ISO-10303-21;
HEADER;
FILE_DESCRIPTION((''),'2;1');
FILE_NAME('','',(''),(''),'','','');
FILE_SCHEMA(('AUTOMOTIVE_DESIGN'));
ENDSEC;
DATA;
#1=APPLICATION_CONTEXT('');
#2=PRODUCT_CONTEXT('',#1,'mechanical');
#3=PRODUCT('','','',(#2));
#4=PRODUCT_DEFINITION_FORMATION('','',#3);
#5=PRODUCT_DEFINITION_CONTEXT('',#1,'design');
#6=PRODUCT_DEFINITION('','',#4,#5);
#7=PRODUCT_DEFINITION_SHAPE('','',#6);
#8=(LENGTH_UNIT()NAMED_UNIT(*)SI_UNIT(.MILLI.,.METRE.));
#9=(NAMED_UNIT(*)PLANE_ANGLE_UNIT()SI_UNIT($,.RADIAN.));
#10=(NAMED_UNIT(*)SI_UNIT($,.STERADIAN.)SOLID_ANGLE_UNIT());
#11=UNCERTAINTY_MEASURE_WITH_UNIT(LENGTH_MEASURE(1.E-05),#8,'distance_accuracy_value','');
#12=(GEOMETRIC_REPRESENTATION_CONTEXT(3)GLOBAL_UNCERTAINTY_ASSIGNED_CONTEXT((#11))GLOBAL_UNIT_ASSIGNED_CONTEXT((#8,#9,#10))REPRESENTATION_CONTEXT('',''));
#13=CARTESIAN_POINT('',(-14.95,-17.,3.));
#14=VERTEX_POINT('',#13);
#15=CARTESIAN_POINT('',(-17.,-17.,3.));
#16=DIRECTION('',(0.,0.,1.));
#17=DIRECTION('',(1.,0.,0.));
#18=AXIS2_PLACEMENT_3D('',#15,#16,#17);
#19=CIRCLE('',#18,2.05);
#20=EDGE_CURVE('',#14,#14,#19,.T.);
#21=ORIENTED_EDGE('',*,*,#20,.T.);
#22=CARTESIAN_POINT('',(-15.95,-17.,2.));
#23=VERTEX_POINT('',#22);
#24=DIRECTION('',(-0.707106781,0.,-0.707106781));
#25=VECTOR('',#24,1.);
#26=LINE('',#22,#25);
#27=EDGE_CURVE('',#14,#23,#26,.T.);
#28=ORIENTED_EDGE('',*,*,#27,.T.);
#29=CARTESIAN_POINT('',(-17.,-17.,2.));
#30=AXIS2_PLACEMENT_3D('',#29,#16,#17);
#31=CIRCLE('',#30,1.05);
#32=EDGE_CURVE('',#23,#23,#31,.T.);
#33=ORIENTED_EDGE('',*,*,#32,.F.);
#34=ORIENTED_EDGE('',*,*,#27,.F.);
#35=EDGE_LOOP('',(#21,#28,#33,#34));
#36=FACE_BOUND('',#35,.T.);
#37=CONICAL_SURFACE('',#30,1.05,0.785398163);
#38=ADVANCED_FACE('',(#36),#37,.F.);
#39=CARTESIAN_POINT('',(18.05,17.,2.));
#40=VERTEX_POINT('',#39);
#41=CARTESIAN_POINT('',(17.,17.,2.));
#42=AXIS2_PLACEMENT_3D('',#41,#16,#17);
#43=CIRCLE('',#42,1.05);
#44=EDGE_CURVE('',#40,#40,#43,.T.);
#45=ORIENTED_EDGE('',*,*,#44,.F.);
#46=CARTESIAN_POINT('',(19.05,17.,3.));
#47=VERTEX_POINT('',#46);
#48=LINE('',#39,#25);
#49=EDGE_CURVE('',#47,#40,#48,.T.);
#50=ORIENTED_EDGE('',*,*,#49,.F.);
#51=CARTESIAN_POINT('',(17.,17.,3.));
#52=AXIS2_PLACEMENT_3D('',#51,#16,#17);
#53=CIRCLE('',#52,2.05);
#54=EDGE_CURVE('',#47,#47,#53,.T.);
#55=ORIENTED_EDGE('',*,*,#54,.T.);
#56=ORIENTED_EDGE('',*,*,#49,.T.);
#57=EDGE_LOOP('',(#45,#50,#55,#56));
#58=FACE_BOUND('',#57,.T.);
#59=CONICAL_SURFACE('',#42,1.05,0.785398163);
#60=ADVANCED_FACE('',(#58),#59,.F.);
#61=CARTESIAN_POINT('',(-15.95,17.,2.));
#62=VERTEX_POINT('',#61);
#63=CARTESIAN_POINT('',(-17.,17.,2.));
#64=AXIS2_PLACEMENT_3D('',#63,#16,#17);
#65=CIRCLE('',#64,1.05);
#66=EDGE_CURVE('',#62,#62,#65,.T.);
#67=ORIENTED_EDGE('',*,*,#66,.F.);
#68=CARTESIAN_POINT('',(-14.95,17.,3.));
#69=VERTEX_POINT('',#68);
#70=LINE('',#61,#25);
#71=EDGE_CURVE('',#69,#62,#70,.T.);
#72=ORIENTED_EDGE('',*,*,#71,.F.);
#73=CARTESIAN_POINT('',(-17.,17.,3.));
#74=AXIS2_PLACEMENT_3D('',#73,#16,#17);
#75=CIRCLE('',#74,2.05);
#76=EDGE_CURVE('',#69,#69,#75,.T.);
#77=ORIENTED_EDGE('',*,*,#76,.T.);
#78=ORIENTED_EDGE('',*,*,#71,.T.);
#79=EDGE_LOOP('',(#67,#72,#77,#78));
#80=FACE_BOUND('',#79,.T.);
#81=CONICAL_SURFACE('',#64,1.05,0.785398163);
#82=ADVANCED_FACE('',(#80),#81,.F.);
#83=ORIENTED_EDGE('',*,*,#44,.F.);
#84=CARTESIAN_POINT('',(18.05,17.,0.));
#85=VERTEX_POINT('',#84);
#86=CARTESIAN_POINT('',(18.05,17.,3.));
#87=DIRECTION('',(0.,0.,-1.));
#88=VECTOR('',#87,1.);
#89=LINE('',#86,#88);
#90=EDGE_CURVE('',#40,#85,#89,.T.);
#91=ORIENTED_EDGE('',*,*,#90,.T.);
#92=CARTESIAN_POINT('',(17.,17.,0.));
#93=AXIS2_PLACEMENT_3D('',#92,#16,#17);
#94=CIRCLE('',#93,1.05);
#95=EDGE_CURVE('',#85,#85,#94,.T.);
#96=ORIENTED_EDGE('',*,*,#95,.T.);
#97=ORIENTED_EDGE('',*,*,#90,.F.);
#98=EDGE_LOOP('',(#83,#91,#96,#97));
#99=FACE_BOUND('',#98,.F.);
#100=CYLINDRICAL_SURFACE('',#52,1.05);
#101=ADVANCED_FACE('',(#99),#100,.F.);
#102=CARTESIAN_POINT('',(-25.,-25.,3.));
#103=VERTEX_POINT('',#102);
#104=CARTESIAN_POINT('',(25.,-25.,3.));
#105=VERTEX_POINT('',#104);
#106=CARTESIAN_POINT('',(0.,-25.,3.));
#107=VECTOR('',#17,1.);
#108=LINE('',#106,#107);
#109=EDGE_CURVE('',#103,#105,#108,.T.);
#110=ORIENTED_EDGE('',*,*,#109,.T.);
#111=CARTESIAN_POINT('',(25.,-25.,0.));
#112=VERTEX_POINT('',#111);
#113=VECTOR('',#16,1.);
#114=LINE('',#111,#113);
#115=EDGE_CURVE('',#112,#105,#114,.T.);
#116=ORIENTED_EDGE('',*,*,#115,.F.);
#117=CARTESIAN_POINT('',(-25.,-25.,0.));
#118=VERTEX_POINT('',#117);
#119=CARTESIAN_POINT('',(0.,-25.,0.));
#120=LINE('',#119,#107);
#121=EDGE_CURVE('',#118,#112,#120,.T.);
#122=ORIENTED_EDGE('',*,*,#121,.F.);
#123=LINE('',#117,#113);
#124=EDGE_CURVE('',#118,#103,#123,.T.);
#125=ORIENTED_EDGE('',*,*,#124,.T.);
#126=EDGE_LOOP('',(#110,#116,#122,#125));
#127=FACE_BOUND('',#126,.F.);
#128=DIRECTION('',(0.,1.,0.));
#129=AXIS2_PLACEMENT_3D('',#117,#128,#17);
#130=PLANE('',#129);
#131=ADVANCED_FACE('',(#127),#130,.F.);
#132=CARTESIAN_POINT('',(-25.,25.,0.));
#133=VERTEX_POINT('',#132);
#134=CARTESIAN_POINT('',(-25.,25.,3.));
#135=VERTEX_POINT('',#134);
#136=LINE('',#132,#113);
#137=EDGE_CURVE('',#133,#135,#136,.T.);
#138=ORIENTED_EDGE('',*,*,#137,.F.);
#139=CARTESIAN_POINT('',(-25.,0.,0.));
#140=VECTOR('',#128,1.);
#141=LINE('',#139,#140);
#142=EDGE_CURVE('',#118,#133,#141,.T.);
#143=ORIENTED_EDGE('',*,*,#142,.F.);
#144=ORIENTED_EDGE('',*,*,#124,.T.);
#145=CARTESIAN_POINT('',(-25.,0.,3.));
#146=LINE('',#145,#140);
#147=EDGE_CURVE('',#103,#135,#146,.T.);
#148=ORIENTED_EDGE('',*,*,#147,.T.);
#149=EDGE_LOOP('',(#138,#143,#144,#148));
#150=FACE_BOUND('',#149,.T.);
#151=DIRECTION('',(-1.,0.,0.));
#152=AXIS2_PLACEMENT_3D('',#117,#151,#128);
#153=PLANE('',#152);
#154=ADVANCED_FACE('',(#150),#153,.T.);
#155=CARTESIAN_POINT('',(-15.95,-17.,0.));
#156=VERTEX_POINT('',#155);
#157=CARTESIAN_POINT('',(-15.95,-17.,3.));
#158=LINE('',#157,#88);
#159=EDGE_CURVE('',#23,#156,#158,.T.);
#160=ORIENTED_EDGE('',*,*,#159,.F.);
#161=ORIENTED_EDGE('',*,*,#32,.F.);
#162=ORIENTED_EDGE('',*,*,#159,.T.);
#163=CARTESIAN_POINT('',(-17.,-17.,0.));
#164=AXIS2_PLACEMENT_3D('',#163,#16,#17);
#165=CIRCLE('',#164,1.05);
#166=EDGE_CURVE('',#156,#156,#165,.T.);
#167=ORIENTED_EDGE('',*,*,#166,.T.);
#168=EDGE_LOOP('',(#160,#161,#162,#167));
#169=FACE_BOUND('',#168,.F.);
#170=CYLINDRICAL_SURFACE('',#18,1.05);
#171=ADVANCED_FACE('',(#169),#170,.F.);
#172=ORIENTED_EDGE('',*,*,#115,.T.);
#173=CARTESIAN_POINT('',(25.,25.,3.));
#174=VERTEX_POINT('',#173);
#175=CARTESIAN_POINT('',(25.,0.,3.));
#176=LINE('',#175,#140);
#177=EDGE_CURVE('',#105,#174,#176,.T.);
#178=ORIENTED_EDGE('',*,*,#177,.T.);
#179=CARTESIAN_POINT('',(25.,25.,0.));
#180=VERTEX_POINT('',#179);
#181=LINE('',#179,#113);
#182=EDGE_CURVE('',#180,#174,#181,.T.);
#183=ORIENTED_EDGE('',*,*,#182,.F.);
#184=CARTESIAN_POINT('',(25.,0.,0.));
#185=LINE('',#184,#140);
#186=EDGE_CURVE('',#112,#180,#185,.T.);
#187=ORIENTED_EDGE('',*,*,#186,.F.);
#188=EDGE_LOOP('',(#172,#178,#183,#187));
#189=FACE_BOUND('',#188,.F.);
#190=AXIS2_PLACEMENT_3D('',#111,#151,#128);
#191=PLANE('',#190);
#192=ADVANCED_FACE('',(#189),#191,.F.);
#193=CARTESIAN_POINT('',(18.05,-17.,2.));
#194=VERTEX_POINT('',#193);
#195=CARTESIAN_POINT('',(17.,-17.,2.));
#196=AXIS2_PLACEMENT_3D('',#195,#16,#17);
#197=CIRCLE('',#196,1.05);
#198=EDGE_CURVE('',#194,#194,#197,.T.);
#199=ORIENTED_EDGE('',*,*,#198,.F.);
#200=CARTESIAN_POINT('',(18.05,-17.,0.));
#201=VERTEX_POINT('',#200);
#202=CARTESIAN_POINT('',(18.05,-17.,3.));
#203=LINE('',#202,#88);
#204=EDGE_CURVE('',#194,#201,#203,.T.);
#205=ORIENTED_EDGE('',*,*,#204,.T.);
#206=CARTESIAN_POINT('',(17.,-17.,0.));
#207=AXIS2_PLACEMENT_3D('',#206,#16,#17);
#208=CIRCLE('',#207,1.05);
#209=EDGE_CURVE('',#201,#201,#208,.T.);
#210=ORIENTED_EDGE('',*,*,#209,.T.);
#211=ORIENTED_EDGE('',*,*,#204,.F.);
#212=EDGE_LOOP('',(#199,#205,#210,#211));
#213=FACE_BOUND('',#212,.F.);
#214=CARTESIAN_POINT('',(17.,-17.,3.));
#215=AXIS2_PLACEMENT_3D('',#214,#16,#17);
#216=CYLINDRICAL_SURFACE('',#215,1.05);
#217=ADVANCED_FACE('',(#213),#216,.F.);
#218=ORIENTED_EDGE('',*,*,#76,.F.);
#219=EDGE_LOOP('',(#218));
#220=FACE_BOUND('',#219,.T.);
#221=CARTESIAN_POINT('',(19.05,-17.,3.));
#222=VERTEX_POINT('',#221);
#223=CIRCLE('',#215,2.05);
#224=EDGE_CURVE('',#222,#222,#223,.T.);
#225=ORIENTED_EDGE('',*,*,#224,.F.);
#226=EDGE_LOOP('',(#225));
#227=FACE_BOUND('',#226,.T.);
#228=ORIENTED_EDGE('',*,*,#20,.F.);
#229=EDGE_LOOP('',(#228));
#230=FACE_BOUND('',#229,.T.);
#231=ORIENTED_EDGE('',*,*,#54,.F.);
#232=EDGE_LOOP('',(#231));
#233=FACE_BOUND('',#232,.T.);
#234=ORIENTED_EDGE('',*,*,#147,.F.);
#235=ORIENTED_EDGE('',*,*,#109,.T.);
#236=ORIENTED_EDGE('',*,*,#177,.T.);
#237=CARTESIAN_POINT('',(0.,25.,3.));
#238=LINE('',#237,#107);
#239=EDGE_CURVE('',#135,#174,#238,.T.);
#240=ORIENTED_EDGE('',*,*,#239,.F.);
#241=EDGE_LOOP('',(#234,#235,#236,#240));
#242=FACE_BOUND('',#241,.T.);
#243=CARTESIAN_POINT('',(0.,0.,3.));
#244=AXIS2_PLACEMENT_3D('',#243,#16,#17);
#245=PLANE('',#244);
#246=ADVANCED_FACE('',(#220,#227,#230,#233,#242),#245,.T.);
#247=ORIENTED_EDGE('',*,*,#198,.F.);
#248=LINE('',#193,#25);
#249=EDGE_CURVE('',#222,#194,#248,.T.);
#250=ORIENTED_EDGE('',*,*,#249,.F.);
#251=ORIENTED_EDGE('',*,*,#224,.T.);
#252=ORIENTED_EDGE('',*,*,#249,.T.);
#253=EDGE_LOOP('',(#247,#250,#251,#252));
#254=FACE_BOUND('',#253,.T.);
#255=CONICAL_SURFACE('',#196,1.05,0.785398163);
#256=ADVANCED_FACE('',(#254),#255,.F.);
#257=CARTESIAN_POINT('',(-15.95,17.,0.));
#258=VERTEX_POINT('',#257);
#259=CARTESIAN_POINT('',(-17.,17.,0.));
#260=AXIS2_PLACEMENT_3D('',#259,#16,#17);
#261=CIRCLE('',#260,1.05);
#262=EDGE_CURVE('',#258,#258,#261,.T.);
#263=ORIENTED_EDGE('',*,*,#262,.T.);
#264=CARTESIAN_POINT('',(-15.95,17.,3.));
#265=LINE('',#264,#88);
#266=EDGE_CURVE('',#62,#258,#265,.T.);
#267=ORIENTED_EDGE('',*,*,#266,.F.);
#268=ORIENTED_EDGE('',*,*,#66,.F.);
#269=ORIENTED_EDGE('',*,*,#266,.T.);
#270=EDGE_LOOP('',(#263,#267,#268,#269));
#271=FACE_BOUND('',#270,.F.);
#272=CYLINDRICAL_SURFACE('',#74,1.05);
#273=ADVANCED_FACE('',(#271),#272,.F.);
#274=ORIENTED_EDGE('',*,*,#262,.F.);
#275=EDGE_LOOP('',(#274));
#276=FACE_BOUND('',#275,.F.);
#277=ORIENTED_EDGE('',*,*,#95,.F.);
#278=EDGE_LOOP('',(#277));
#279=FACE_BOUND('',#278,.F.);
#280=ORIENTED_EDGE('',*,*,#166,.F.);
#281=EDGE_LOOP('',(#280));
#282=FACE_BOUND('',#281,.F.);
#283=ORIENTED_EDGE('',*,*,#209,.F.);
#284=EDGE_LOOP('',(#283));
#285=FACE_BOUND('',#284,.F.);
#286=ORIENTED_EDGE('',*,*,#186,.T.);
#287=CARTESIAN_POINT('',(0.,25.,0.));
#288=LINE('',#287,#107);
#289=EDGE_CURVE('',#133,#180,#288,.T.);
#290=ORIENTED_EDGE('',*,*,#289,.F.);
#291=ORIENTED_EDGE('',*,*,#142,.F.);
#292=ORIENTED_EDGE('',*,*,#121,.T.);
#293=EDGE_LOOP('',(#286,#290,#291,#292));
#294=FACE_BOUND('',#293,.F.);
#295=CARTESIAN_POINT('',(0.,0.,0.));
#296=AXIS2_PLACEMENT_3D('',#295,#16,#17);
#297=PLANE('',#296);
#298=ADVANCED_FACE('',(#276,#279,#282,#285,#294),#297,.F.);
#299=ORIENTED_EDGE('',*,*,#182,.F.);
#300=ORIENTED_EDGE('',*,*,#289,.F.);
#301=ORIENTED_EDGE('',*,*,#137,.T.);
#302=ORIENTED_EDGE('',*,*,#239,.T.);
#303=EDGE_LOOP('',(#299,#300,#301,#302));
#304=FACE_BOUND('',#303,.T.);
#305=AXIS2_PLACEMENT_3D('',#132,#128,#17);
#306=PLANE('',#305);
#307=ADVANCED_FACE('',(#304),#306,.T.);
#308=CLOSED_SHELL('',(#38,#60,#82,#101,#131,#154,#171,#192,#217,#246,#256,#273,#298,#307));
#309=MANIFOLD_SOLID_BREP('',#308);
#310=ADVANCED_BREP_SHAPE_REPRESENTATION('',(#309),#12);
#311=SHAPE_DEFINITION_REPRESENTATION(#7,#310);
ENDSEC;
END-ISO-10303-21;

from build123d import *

# Parameters (mm, degrees)
SKETCH_W     = 50
SKETCH_H     = 50
PAD_DEPTH    = 3
SKETCH001_R  = 1.05
POCKET_DEPTH = 3.001
CHAMFER_SIZE = 1


with BuildPart() as part:
    # Sketch → Pad (new body)
    with BuildSketch(Plane.XY):
        Rectangle(SKETCH_W, SKETCH_H)
    extrude(amount=PAD_DEPTH)

    # Sketch001 (on Face6 of Pad) → Pocket (cut, through all)
    with BuildSketch(Plane.XY.offset(3)):
        with Locations((-17, 17)):
            Circle(SKETCH001_R)
        with Locations((17, 17)):
            Circle(SKETCH001_R)
        with Locations((17, -17)):
            Circle(SKETCH001_R)
        with Locations((-17, -17)):
            Circle(SKETCH001_R)
    extrude(amount=-POCKET_DEPTH, mode=Mode.SUBTRACT)

    # Chamfer
    chamfer_edges = [part.edges().sort_by_distance(p)[0] for p in [
        (-18.05, 17, 3),
        (15.95, 17, 3),
        (15.95, -17, 3),
        (-18.05, -17, 3),
    ]]
    chamfer(chamfer_edges, length=CHAMFER_SIZE)


solid = part.part
